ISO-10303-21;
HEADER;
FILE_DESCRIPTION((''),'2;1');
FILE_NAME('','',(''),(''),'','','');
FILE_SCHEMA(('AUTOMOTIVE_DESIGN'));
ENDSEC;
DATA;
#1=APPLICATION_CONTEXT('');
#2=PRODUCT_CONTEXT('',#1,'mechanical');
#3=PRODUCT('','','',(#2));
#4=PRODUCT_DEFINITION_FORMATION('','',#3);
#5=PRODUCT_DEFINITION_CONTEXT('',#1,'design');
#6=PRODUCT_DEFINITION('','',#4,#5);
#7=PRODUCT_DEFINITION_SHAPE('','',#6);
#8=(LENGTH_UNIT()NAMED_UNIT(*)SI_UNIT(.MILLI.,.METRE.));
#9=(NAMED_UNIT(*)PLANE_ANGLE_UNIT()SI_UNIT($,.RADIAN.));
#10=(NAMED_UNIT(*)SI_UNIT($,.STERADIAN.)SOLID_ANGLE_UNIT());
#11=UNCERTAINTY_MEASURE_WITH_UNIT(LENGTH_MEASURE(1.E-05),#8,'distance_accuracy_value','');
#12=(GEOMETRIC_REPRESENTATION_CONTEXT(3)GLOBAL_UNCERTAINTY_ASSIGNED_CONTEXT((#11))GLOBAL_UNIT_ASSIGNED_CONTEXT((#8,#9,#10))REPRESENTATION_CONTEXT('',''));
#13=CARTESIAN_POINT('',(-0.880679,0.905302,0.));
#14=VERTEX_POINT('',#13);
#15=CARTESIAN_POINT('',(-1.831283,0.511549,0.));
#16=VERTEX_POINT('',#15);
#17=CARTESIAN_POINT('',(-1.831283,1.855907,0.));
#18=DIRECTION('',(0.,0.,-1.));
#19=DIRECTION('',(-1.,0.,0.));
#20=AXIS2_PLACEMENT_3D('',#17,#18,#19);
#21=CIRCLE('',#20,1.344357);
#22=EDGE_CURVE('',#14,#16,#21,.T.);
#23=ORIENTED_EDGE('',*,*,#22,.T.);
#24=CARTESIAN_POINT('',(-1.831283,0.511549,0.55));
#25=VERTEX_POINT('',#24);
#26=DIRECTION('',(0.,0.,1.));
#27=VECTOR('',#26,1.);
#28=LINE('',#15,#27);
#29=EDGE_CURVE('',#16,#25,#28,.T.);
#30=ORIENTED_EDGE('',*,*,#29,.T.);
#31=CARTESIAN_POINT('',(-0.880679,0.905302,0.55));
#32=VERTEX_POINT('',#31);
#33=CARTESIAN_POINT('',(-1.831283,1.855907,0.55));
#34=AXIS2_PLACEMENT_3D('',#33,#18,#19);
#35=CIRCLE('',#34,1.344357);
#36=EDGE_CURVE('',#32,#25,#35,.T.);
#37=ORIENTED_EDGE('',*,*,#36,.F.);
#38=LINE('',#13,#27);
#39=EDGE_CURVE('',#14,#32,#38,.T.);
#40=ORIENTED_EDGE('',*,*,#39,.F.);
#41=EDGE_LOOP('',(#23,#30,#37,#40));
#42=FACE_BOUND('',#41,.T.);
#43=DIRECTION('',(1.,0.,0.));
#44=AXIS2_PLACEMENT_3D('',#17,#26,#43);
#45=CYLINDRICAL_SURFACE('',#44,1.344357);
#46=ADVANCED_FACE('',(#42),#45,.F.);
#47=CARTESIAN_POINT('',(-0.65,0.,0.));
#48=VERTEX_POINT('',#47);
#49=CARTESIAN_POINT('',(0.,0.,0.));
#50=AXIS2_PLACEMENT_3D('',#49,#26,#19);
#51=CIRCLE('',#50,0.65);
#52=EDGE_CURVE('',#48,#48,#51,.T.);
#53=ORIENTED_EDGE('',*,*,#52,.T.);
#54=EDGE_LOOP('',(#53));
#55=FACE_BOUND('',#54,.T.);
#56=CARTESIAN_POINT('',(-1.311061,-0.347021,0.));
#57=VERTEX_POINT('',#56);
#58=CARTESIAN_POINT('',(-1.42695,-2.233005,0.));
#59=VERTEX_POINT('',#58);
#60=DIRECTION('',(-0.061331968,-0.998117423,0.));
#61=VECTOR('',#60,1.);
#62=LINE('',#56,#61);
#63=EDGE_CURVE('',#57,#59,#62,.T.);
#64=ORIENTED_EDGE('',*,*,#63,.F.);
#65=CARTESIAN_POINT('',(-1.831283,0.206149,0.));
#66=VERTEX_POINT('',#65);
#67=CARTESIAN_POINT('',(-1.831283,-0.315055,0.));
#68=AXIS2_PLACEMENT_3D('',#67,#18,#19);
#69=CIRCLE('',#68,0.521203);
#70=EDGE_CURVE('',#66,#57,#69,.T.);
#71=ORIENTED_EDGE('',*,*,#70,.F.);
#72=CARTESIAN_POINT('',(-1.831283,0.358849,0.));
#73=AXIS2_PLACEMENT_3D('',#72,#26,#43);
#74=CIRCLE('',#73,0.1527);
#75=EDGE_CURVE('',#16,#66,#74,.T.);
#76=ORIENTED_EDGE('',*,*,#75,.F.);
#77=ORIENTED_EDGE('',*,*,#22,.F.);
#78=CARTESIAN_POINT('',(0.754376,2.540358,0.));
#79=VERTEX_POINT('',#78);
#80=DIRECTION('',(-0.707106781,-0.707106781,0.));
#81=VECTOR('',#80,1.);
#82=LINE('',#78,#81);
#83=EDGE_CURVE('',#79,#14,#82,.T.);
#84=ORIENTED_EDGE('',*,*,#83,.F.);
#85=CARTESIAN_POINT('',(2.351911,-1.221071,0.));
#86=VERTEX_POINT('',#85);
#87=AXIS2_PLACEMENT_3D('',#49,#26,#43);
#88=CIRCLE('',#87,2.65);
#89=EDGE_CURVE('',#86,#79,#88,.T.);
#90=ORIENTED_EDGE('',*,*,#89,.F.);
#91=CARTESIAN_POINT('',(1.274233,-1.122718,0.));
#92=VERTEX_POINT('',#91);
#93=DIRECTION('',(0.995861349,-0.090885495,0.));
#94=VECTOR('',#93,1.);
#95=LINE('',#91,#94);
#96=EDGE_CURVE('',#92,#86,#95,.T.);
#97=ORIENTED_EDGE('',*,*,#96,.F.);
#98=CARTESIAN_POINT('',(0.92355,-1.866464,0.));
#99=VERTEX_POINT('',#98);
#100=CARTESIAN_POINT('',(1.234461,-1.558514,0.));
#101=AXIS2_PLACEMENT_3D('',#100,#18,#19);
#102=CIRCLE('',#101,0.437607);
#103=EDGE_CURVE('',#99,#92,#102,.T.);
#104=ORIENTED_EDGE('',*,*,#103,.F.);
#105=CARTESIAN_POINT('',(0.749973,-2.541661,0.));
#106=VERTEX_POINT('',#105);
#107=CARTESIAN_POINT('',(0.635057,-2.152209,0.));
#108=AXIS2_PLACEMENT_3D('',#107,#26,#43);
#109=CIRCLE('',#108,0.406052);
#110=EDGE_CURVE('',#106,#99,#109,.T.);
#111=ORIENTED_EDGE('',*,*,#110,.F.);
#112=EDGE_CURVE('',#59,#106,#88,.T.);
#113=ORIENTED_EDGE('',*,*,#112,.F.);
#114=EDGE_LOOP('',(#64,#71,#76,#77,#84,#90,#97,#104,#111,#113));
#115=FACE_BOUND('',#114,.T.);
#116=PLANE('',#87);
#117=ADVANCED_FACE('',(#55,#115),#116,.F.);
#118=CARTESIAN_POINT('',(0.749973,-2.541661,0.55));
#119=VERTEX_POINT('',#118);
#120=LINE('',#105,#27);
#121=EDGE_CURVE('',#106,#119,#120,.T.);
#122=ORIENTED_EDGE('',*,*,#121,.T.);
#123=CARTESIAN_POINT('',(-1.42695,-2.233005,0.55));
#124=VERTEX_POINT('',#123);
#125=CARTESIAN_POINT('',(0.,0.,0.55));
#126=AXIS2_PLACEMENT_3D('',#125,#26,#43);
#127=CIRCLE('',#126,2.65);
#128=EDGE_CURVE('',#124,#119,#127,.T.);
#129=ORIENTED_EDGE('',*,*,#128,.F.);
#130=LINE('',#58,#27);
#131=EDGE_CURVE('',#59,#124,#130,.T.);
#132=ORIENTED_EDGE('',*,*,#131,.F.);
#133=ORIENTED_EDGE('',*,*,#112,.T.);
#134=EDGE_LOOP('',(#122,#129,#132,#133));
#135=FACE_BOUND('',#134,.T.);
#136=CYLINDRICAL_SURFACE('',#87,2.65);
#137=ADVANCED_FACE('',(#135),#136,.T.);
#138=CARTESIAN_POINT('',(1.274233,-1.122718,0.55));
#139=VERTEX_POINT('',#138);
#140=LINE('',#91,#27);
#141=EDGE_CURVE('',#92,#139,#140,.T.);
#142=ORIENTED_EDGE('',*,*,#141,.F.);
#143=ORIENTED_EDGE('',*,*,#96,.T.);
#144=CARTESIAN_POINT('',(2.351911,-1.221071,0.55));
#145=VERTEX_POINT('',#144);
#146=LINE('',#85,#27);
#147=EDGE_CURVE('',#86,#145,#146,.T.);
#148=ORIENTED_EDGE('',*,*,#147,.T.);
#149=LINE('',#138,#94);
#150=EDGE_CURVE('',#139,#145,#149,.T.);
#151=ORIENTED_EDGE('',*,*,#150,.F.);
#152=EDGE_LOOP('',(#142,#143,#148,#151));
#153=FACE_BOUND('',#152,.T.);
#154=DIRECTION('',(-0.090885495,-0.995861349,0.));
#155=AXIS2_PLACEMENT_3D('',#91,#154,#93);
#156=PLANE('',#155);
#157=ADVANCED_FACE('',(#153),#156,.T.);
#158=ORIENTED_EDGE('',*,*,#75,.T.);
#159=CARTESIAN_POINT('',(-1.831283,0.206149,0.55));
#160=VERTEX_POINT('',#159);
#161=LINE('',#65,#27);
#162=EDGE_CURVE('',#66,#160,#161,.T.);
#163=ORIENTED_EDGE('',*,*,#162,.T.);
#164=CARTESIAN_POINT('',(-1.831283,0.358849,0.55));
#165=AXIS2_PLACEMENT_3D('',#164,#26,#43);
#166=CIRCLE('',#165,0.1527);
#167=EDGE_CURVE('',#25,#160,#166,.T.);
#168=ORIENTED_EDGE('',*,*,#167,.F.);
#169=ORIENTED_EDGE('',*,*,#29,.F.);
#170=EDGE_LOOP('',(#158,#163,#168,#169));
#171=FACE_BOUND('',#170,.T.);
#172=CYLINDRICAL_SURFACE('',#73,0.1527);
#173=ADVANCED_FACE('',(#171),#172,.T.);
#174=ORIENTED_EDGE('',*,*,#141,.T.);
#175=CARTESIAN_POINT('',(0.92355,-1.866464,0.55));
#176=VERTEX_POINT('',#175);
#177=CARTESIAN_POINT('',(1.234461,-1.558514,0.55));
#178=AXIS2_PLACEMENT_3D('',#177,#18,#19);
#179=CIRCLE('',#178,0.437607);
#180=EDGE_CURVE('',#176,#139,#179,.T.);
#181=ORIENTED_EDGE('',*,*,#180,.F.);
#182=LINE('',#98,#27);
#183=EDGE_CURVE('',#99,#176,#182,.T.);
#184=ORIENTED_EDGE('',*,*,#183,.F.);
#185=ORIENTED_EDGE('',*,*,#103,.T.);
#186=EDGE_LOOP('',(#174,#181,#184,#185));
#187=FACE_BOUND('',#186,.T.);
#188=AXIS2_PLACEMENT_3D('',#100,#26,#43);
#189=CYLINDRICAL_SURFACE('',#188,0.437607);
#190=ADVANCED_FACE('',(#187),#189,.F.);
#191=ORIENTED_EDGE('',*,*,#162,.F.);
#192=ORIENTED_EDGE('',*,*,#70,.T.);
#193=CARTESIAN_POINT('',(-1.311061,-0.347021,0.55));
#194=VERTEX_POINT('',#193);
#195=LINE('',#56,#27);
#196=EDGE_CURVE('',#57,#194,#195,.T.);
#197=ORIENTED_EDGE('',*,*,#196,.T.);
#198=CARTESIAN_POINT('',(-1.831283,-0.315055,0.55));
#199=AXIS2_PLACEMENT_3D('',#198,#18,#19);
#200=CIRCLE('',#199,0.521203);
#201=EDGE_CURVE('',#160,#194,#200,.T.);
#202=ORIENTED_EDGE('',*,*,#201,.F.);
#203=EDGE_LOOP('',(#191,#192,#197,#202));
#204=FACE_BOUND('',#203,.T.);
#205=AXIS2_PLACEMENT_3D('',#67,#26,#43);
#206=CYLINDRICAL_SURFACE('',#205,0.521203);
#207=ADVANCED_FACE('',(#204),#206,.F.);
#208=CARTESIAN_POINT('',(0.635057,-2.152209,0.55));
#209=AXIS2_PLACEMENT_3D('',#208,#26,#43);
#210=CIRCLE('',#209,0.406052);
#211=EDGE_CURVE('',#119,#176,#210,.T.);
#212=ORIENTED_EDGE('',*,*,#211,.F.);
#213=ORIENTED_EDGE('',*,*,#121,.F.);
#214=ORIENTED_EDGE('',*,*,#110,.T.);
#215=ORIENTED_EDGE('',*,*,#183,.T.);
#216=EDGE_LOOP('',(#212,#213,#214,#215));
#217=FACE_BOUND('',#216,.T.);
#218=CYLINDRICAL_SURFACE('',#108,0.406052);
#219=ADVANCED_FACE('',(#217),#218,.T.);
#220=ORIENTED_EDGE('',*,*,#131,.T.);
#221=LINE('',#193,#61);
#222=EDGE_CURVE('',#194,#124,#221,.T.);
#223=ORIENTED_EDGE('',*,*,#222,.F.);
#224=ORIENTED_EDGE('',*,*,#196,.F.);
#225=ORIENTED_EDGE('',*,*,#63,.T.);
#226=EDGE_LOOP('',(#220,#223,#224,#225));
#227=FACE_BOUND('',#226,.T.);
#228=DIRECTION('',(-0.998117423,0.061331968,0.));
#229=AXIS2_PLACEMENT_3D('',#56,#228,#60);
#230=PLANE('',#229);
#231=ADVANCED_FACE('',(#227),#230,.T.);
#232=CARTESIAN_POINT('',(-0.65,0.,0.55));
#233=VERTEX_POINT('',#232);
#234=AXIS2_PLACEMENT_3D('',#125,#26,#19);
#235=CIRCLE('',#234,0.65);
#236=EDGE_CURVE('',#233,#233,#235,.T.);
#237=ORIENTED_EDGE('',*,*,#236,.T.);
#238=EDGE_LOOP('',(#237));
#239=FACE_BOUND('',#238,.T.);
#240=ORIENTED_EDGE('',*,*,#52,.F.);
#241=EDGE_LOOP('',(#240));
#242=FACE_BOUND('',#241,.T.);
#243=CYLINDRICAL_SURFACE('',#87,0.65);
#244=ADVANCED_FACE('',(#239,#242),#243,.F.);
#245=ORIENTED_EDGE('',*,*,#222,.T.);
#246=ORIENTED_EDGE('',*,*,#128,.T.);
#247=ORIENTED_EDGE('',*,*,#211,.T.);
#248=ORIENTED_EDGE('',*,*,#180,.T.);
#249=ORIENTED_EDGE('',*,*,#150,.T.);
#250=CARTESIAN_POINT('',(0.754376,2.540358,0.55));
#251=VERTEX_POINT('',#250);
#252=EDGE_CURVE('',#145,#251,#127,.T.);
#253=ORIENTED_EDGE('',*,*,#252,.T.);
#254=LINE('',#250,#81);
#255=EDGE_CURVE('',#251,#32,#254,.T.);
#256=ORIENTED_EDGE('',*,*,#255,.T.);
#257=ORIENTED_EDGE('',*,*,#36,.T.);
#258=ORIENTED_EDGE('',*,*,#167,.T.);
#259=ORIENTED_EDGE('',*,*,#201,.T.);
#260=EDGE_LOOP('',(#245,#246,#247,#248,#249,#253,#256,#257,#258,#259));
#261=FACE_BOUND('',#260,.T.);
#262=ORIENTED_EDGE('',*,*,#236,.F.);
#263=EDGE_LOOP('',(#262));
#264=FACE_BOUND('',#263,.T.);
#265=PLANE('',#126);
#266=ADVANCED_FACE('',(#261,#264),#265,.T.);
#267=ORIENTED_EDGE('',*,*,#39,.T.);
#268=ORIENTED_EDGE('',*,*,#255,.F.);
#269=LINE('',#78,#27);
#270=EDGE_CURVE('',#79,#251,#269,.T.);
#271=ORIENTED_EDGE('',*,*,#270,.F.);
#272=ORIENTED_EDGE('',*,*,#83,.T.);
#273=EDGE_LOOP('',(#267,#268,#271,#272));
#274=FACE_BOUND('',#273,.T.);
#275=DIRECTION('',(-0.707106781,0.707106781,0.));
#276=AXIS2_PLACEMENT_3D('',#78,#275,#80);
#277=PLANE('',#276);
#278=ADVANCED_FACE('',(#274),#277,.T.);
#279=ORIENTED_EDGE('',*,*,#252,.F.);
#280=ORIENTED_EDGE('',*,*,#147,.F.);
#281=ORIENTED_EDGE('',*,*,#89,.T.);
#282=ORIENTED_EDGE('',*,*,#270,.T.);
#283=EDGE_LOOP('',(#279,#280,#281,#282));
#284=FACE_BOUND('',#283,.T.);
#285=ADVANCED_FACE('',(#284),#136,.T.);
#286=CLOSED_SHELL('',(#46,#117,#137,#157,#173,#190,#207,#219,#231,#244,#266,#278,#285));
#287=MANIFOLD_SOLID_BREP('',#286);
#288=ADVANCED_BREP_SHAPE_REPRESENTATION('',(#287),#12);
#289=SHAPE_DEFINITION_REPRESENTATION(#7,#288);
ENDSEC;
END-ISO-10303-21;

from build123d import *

# Parameters (mm, degrees)
SKETCH1_R           = 0.65
BOSS_EXTRUDE1_DEPTH = 0.55


with BuildPart() as part:
    # Sketch1 → Boss-Extrude1 (new body)
    with BuildSketch(Plane.XY.offset(0.55)):
        with BuildLine():
            Line((1.274233088, -1.122718337), (2.351911214, -1.221070694))
            ThreePointArc((2.351911214, -1.221070694), (2.439127121, 1.035933823), (0.754376305, 2.540357532))
            Line((0.754376305, 2.540357532), (-0.880678776, 0.905302451))
            ThreePointArc((-0.880678776, 0.905302451), (-1.316819724, 0.613882386), (-1.831283051, 0.511549267))
            ThreePointArc((-1.831283051, 0.511549267), (-1.983983424, 0.358848894), (-1.831283051, 0.20614852))
            ThreePointArc((-1.831283051, 0.20614852), (-1.451603036, 0.042010969), (-1.311061008, -0.347021148))
            Line((-1.311061008, -0.347021148), (-1.426950301, -2.233005338))
            ThreePointArc((-1.426950301, -2.233005338), (-0.372010152, -2.623758458), (0.749973232, -2.541660904))
            ThreePointArc((0.749973232, -2.541660904), (1.02832185, -2.253308059), (0.923549505, -1.866464328))
            ThreePointArc((0.923549505, -1.866464328), (0.838647067, -1.371883608), (1.274233088, -1.122718337))
        make_face()
        Circle(SKETCH1_R, mode=Mode.SUBTRACT)
    extrude(amount=-BOSS_EXTRUDE1_DEPTH)


solid = part.part
